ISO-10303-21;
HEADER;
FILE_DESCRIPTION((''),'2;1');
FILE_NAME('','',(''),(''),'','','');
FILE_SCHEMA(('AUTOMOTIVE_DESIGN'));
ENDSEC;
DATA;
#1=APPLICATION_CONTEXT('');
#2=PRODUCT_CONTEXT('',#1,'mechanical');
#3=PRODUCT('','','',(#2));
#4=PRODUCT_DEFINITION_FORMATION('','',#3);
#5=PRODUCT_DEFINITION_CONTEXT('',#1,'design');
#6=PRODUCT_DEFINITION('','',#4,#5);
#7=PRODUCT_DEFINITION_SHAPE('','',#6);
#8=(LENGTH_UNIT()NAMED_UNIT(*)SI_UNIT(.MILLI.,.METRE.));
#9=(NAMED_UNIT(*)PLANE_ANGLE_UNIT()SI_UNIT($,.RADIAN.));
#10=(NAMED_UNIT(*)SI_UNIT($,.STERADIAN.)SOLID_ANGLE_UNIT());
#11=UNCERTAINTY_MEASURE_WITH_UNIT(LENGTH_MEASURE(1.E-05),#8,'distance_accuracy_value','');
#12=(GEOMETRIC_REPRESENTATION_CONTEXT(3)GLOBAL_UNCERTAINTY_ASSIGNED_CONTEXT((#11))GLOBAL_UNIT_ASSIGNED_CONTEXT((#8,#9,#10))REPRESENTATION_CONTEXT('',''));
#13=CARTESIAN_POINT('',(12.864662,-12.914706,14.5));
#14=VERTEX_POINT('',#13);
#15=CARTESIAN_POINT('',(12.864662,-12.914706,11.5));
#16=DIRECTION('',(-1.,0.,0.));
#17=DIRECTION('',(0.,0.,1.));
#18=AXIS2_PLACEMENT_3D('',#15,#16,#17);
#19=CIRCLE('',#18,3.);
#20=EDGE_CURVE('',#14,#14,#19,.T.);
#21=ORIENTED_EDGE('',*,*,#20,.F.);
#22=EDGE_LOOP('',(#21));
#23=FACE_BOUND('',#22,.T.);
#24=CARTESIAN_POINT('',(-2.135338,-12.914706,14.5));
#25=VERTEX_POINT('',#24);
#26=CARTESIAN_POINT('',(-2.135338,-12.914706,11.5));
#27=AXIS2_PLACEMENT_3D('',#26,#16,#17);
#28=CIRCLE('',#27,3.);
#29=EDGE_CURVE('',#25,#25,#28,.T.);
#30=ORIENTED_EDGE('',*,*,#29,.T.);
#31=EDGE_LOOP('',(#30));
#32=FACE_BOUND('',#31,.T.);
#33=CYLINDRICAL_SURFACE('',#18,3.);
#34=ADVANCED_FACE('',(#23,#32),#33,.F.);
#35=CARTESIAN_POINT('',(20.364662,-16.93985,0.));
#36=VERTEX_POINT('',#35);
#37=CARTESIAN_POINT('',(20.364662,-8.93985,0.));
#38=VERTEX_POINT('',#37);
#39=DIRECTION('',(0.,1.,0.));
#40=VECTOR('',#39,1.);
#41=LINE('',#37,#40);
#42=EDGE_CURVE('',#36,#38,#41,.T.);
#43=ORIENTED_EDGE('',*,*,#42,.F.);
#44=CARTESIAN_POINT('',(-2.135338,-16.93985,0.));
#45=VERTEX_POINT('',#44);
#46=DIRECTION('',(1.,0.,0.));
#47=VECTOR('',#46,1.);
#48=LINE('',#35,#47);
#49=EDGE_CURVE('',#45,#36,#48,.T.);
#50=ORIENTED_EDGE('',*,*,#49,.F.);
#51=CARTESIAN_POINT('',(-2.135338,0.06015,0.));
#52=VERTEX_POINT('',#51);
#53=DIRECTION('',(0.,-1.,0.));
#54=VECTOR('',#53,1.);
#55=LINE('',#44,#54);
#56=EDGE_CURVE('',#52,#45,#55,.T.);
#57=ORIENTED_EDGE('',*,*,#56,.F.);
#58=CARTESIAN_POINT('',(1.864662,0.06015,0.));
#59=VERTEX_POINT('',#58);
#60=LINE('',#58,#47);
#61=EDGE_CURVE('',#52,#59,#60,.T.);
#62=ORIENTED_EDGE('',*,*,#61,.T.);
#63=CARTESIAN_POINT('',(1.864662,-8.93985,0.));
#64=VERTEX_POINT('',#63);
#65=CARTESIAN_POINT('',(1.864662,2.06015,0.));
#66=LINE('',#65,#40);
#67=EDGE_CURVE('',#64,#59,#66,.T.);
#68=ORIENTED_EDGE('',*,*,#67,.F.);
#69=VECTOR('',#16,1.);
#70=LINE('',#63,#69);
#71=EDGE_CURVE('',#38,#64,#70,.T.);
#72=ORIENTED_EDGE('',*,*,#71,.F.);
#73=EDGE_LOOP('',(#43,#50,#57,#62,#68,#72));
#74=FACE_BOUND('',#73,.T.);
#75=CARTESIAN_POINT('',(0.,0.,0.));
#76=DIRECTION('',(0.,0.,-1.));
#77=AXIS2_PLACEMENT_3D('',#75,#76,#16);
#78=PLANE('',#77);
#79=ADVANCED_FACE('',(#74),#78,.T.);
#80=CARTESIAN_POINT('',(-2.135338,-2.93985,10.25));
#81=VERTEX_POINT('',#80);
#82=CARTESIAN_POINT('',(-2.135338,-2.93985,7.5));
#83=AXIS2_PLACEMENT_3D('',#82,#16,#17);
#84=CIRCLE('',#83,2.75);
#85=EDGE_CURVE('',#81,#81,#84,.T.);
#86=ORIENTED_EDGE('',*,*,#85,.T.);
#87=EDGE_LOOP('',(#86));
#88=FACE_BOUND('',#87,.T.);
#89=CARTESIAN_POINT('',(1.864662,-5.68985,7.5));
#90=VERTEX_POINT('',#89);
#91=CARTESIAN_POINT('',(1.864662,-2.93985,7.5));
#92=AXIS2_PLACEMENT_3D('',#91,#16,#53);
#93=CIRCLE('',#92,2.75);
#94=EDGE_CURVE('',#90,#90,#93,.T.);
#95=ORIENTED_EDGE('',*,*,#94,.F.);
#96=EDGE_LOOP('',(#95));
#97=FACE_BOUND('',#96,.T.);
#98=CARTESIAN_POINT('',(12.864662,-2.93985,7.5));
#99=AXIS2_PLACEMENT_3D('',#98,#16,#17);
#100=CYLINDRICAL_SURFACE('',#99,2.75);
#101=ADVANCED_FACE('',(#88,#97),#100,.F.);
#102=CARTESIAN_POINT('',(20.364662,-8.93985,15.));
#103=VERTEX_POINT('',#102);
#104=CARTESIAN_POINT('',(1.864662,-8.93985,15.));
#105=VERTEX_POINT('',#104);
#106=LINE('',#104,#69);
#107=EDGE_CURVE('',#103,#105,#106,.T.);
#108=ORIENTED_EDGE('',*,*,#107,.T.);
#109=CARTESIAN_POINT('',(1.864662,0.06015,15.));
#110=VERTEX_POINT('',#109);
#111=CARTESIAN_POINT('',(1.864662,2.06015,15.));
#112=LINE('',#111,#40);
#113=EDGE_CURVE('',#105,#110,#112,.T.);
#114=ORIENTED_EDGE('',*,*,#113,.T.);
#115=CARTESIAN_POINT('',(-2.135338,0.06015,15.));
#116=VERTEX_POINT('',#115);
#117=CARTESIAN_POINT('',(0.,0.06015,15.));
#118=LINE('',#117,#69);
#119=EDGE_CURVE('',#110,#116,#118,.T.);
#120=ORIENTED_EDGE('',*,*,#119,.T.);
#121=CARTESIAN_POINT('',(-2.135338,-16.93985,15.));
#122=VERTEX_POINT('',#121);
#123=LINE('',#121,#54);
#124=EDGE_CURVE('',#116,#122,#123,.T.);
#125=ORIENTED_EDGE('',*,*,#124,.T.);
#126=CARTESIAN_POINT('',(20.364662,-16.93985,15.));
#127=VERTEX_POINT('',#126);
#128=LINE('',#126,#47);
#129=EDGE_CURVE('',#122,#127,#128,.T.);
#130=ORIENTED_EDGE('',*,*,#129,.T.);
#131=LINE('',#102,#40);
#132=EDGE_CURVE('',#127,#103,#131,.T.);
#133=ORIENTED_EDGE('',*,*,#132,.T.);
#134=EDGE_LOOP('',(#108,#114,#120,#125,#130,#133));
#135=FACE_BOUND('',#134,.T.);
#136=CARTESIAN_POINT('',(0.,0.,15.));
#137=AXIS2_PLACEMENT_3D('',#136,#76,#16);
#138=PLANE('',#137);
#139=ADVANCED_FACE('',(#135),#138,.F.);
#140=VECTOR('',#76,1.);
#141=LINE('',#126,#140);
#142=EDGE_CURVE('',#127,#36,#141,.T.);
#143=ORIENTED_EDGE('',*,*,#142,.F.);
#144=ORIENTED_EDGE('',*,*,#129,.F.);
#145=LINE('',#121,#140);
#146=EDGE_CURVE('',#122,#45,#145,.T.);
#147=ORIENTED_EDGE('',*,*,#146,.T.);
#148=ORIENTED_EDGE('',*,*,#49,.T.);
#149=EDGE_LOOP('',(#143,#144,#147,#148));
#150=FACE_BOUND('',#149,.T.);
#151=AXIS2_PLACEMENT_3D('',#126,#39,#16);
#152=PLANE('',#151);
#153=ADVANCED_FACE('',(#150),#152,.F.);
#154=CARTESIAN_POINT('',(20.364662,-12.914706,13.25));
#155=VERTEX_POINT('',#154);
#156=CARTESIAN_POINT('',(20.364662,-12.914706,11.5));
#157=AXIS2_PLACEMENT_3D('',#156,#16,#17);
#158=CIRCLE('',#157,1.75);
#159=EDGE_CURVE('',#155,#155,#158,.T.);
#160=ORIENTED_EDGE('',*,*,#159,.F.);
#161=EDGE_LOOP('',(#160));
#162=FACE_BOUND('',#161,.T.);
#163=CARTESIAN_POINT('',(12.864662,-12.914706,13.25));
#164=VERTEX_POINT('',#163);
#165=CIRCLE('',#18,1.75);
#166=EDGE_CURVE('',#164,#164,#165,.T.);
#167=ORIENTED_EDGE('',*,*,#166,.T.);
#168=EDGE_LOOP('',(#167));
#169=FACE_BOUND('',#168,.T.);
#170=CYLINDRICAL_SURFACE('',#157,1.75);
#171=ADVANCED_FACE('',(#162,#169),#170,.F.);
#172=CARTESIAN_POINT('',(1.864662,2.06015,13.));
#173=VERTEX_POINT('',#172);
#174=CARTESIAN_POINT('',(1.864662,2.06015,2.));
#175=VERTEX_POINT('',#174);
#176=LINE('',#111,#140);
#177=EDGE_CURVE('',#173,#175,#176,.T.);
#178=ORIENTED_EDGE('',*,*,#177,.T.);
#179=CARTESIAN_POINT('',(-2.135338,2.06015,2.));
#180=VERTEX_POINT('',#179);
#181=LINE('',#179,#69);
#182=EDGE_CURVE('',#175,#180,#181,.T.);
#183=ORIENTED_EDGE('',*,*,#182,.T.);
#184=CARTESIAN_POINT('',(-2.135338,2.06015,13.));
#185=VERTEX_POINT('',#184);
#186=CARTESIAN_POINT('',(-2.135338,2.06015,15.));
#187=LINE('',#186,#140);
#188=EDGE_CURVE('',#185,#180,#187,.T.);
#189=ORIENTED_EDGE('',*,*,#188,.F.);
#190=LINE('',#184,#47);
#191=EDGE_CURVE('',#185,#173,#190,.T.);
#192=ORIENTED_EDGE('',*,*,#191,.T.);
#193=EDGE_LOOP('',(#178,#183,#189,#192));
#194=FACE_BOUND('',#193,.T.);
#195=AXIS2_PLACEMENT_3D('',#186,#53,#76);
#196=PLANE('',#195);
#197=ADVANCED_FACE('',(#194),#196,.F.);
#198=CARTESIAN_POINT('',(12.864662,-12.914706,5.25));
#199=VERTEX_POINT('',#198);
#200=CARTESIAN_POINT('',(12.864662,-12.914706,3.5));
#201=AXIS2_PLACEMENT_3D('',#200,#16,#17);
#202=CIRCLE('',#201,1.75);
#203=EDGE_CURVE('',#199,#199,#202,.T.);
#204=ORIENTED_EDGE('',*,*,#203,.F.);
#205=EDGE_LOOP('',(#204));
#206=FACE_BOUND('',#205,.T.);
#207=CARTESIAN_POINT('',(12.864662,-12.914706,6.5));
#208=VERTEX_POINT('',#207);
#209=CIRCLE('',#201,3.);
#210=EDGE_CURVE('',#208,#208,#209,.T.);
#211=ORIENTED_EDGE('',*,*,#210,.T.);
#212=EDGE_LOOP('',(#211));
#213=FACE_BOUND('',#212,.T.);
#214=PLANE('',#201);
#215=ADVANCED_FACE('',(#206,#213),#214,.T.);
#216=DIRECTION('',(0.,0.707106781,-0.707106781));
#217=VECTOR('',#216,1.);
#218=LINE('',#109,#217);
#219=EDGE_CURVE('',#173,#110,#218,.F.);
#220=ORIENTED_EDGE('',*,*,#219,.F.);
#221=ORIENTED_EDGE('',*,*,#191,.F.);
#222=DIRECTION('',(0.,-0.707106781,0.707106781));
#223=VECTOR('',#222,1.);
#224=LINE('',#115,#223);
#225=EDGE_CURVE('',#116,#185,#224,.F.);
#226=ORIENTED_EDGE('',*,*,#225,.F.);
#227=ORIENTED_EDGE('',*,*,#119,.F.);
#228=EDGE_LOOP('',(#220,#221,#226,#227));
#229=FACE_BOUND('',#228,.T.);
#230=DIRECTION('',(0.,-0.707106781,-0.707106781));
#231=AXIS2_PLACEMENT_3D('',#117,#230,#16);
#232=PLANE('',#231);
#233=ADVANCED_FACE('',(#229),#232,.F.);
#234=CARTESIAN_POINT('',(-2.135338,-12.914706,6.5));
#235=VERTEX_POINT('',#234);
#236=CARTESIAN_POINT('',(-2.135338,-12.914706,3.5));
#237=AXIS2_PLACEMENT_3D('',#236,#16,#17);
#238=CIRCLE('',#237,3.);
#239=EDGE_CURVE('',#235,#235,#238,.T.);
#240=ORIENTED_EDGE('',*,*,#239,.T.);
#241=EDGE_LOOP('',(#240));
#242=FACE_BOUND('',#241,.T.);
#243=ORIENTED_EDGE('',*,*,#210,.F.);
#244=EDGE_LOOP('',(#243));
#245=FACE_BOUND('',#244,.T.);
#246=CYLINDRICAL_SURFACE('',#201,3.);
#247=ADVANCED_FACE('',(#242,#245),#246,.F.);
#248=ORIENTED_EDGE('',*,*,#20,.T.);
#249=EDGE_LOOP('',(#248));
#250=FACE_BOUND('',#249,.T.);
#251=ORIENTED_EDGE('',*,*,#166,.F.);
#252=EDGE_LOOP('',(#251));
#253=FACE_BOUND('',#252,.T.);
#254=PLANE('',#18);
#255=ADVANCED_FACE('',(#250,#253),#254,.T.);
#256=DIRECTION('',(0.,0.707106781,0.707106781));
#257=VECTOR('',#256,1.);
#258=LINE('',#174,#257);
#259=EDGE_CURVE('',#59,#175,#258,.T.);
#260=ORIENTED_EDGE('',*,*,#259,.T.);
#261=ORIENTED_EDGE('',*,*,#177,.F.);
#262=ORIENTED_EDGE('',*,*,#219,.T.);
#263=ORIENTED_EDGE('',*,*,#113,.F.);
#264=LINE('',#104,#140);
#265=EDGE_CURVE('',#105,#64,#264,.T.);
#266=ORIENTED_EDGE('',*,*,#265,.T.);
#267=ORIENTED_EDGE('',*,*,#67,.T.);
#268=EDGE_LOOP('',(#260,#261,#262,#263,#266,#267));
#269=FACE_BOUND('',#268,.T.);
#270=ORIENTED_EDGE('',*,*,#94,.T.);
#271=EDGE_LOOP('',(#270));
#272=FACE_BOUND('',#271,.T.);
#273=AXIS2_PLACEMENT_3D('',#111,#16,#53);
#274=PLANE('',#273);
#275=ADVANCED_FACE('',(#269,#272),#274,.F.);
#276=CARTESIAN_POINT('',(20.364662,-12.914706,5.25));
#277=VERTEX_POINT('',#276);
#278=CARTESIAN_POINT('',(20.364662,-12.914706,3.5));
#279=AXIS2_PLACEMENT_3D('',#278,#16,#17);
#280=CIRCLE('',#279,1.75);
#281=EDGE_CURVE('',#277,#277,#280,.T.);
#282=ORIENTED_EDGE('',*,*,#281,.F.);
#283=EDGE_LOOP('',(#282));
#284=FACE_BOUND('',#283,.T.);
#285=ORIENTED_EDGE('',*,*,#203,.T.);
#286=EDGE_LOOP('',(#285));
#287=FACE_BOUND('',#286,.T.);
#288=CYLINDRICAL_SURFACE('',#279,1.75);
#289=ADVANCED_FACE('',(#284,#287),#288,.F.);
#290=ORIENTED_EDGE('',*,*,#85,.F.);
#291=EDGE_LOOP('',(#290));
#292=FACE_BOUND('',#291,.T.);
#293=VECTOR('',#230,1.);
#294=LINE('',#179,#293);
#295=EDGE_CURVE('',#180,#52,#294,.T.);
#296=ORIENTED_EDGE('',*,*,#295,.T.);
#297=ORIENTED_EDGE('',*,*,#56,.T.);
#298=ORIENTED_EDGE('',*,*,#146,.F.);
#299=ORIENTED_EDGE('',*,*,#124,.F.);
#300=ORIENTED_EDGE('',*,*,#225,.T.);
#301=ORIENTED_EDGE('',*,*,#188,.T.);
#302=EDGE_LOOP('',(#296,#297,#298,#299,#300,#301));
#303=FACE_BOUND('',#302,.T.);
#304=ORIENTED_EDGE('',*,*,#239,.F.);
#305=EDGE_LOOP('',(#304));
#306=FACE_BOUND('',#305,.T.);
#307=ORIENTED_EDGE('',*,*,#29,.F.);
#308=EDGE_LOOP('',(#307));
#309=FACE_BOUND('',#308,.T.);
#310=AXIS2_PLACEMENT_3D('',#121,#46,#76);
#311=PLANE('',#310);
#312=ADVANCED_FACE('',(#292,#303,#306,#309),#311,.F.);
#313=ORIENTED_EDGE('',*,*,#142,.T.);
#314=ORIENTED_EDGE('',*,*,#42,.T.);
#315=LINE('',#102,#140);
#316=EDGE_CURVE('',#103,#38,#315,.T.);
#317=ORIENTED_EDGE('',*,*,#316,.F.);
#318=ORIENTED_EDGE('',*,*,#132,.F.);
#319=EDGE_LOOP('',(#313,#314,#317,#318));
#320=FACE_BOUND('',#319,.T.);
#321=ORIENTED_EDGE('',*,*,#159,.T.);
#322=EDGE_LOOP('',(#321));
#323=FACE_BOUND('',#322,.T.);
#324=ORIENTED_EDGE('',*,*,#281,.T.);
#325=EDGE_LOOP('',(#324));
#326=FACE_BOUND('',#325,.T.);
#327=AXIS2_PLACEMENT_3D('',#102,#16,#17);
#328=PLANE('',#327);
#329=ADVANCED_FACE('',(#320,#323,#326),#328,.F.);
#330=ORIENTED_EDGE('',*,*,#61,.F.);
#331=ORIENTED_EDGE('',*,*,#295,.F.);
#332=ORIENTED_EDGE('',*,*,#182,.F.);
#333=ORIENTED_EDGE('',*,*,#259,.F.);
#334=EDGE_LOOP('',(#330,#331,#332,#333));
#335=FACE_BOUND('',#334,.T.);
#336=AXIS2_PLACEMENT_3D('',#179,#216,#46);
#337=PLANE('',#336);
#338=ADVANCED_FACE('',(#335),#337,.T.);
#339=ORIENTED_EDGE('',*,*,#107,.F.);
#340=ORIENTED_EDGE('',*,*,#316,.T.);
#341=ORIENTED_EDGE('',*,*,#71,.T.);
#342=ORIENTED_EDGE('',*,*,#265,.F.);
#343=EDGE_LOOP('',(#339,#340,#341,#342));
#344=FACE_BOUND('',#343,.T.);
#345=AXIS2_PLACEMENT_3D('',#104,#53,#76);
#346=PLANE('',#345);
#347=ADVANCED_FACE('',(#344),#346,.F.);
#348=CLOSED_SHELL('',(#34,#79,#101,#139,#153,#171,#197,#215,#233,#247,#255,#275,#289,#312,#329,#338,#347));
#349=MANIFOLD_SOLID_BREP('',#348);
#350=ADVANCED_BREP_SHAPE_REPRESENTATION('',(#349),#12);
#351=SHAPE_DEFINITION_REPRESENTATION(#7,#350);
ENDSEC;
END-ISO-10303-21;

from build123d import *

# Parameters (mm, degrees)
BOSS_EXTRUDE1_DEPTH = 15
SKETCH2_R           = 2.75
SKETCH2_R_2         = 3
SKETCH2_R_3         = 1.75
CUT_EXTRUDE1_DEPTH  = 15
SKETCH3_R           = 1.75
CUT_EXTRUDE2_DEPTH  = 23.5
CHAMFER1_SIZE       = 2


with BuildPart() as part:
    # Sketch1 → Boss-Extrude1 (new body)
    with BuildSketch(Plane.XY):
        Polygon((-2.135338346, 2.060150376), (1.864661654, 2.060150376), (1.864661654, -8.939849624), (20.364661654, -8.939849624), (20.364661654, -16.939849624), (-2.135338346, -16.939849624), align=None)
    extrude(amount=BOSS_EXTRUDE1_DEPTH)

    # Sketch2 → Cut-Extrude1 (cut)
    with BuildSketch(Plane.ZY.offset(2.135338346)):
        with Locations((7.5, -2.939849624)):
            Circle(SKETCH2_R)
        with Locations((11.5, -12.914706032)):
            Circle(SKETCH2_R_2)
        with Locations((11.5, -12.914706032)):
            Circle(SKETCH2_R_3, mode=Mode.SUBTRACT)
        with Locations((3.5, -12.914706032)):
            Circle(SKETCH2_R_2)
        with Locations((3.5, -12.914706032)):
            Circle(SKETCH2_R_3, mode=Mode.SUBTRACT)
    extrude(amount=-CUT_EXTRUDE1_DEPTH, mode=Mode.SUBTRACT)

    # Sketch3 → Cut-Extrude2 (cut, through all)
    with BuildSketch(Plane.ZY.offset(2.135338346)):
        with Locations((3.5, -12.914706032)):
            Circle(SKETCH3_R)
        with Locations((11.5, -12.914706032)):
            Circle(SKETCH3_R)
    extrude(amount=-CUT_EXTRUDE2_DEPTH, mode=Mode.SUBTRACT)

    # Chamfer1
    chamfer1_edges = [part.edges().sort_by_distance(p)[0] for p in [
        (-0.135338346, 2.060150376, 15),
        (-0.135338346, 2.060150376, 0),
    ]]
    chamfer(chamfer1_edges, length=CHAMFER1_SIZE)


solid = part.part
